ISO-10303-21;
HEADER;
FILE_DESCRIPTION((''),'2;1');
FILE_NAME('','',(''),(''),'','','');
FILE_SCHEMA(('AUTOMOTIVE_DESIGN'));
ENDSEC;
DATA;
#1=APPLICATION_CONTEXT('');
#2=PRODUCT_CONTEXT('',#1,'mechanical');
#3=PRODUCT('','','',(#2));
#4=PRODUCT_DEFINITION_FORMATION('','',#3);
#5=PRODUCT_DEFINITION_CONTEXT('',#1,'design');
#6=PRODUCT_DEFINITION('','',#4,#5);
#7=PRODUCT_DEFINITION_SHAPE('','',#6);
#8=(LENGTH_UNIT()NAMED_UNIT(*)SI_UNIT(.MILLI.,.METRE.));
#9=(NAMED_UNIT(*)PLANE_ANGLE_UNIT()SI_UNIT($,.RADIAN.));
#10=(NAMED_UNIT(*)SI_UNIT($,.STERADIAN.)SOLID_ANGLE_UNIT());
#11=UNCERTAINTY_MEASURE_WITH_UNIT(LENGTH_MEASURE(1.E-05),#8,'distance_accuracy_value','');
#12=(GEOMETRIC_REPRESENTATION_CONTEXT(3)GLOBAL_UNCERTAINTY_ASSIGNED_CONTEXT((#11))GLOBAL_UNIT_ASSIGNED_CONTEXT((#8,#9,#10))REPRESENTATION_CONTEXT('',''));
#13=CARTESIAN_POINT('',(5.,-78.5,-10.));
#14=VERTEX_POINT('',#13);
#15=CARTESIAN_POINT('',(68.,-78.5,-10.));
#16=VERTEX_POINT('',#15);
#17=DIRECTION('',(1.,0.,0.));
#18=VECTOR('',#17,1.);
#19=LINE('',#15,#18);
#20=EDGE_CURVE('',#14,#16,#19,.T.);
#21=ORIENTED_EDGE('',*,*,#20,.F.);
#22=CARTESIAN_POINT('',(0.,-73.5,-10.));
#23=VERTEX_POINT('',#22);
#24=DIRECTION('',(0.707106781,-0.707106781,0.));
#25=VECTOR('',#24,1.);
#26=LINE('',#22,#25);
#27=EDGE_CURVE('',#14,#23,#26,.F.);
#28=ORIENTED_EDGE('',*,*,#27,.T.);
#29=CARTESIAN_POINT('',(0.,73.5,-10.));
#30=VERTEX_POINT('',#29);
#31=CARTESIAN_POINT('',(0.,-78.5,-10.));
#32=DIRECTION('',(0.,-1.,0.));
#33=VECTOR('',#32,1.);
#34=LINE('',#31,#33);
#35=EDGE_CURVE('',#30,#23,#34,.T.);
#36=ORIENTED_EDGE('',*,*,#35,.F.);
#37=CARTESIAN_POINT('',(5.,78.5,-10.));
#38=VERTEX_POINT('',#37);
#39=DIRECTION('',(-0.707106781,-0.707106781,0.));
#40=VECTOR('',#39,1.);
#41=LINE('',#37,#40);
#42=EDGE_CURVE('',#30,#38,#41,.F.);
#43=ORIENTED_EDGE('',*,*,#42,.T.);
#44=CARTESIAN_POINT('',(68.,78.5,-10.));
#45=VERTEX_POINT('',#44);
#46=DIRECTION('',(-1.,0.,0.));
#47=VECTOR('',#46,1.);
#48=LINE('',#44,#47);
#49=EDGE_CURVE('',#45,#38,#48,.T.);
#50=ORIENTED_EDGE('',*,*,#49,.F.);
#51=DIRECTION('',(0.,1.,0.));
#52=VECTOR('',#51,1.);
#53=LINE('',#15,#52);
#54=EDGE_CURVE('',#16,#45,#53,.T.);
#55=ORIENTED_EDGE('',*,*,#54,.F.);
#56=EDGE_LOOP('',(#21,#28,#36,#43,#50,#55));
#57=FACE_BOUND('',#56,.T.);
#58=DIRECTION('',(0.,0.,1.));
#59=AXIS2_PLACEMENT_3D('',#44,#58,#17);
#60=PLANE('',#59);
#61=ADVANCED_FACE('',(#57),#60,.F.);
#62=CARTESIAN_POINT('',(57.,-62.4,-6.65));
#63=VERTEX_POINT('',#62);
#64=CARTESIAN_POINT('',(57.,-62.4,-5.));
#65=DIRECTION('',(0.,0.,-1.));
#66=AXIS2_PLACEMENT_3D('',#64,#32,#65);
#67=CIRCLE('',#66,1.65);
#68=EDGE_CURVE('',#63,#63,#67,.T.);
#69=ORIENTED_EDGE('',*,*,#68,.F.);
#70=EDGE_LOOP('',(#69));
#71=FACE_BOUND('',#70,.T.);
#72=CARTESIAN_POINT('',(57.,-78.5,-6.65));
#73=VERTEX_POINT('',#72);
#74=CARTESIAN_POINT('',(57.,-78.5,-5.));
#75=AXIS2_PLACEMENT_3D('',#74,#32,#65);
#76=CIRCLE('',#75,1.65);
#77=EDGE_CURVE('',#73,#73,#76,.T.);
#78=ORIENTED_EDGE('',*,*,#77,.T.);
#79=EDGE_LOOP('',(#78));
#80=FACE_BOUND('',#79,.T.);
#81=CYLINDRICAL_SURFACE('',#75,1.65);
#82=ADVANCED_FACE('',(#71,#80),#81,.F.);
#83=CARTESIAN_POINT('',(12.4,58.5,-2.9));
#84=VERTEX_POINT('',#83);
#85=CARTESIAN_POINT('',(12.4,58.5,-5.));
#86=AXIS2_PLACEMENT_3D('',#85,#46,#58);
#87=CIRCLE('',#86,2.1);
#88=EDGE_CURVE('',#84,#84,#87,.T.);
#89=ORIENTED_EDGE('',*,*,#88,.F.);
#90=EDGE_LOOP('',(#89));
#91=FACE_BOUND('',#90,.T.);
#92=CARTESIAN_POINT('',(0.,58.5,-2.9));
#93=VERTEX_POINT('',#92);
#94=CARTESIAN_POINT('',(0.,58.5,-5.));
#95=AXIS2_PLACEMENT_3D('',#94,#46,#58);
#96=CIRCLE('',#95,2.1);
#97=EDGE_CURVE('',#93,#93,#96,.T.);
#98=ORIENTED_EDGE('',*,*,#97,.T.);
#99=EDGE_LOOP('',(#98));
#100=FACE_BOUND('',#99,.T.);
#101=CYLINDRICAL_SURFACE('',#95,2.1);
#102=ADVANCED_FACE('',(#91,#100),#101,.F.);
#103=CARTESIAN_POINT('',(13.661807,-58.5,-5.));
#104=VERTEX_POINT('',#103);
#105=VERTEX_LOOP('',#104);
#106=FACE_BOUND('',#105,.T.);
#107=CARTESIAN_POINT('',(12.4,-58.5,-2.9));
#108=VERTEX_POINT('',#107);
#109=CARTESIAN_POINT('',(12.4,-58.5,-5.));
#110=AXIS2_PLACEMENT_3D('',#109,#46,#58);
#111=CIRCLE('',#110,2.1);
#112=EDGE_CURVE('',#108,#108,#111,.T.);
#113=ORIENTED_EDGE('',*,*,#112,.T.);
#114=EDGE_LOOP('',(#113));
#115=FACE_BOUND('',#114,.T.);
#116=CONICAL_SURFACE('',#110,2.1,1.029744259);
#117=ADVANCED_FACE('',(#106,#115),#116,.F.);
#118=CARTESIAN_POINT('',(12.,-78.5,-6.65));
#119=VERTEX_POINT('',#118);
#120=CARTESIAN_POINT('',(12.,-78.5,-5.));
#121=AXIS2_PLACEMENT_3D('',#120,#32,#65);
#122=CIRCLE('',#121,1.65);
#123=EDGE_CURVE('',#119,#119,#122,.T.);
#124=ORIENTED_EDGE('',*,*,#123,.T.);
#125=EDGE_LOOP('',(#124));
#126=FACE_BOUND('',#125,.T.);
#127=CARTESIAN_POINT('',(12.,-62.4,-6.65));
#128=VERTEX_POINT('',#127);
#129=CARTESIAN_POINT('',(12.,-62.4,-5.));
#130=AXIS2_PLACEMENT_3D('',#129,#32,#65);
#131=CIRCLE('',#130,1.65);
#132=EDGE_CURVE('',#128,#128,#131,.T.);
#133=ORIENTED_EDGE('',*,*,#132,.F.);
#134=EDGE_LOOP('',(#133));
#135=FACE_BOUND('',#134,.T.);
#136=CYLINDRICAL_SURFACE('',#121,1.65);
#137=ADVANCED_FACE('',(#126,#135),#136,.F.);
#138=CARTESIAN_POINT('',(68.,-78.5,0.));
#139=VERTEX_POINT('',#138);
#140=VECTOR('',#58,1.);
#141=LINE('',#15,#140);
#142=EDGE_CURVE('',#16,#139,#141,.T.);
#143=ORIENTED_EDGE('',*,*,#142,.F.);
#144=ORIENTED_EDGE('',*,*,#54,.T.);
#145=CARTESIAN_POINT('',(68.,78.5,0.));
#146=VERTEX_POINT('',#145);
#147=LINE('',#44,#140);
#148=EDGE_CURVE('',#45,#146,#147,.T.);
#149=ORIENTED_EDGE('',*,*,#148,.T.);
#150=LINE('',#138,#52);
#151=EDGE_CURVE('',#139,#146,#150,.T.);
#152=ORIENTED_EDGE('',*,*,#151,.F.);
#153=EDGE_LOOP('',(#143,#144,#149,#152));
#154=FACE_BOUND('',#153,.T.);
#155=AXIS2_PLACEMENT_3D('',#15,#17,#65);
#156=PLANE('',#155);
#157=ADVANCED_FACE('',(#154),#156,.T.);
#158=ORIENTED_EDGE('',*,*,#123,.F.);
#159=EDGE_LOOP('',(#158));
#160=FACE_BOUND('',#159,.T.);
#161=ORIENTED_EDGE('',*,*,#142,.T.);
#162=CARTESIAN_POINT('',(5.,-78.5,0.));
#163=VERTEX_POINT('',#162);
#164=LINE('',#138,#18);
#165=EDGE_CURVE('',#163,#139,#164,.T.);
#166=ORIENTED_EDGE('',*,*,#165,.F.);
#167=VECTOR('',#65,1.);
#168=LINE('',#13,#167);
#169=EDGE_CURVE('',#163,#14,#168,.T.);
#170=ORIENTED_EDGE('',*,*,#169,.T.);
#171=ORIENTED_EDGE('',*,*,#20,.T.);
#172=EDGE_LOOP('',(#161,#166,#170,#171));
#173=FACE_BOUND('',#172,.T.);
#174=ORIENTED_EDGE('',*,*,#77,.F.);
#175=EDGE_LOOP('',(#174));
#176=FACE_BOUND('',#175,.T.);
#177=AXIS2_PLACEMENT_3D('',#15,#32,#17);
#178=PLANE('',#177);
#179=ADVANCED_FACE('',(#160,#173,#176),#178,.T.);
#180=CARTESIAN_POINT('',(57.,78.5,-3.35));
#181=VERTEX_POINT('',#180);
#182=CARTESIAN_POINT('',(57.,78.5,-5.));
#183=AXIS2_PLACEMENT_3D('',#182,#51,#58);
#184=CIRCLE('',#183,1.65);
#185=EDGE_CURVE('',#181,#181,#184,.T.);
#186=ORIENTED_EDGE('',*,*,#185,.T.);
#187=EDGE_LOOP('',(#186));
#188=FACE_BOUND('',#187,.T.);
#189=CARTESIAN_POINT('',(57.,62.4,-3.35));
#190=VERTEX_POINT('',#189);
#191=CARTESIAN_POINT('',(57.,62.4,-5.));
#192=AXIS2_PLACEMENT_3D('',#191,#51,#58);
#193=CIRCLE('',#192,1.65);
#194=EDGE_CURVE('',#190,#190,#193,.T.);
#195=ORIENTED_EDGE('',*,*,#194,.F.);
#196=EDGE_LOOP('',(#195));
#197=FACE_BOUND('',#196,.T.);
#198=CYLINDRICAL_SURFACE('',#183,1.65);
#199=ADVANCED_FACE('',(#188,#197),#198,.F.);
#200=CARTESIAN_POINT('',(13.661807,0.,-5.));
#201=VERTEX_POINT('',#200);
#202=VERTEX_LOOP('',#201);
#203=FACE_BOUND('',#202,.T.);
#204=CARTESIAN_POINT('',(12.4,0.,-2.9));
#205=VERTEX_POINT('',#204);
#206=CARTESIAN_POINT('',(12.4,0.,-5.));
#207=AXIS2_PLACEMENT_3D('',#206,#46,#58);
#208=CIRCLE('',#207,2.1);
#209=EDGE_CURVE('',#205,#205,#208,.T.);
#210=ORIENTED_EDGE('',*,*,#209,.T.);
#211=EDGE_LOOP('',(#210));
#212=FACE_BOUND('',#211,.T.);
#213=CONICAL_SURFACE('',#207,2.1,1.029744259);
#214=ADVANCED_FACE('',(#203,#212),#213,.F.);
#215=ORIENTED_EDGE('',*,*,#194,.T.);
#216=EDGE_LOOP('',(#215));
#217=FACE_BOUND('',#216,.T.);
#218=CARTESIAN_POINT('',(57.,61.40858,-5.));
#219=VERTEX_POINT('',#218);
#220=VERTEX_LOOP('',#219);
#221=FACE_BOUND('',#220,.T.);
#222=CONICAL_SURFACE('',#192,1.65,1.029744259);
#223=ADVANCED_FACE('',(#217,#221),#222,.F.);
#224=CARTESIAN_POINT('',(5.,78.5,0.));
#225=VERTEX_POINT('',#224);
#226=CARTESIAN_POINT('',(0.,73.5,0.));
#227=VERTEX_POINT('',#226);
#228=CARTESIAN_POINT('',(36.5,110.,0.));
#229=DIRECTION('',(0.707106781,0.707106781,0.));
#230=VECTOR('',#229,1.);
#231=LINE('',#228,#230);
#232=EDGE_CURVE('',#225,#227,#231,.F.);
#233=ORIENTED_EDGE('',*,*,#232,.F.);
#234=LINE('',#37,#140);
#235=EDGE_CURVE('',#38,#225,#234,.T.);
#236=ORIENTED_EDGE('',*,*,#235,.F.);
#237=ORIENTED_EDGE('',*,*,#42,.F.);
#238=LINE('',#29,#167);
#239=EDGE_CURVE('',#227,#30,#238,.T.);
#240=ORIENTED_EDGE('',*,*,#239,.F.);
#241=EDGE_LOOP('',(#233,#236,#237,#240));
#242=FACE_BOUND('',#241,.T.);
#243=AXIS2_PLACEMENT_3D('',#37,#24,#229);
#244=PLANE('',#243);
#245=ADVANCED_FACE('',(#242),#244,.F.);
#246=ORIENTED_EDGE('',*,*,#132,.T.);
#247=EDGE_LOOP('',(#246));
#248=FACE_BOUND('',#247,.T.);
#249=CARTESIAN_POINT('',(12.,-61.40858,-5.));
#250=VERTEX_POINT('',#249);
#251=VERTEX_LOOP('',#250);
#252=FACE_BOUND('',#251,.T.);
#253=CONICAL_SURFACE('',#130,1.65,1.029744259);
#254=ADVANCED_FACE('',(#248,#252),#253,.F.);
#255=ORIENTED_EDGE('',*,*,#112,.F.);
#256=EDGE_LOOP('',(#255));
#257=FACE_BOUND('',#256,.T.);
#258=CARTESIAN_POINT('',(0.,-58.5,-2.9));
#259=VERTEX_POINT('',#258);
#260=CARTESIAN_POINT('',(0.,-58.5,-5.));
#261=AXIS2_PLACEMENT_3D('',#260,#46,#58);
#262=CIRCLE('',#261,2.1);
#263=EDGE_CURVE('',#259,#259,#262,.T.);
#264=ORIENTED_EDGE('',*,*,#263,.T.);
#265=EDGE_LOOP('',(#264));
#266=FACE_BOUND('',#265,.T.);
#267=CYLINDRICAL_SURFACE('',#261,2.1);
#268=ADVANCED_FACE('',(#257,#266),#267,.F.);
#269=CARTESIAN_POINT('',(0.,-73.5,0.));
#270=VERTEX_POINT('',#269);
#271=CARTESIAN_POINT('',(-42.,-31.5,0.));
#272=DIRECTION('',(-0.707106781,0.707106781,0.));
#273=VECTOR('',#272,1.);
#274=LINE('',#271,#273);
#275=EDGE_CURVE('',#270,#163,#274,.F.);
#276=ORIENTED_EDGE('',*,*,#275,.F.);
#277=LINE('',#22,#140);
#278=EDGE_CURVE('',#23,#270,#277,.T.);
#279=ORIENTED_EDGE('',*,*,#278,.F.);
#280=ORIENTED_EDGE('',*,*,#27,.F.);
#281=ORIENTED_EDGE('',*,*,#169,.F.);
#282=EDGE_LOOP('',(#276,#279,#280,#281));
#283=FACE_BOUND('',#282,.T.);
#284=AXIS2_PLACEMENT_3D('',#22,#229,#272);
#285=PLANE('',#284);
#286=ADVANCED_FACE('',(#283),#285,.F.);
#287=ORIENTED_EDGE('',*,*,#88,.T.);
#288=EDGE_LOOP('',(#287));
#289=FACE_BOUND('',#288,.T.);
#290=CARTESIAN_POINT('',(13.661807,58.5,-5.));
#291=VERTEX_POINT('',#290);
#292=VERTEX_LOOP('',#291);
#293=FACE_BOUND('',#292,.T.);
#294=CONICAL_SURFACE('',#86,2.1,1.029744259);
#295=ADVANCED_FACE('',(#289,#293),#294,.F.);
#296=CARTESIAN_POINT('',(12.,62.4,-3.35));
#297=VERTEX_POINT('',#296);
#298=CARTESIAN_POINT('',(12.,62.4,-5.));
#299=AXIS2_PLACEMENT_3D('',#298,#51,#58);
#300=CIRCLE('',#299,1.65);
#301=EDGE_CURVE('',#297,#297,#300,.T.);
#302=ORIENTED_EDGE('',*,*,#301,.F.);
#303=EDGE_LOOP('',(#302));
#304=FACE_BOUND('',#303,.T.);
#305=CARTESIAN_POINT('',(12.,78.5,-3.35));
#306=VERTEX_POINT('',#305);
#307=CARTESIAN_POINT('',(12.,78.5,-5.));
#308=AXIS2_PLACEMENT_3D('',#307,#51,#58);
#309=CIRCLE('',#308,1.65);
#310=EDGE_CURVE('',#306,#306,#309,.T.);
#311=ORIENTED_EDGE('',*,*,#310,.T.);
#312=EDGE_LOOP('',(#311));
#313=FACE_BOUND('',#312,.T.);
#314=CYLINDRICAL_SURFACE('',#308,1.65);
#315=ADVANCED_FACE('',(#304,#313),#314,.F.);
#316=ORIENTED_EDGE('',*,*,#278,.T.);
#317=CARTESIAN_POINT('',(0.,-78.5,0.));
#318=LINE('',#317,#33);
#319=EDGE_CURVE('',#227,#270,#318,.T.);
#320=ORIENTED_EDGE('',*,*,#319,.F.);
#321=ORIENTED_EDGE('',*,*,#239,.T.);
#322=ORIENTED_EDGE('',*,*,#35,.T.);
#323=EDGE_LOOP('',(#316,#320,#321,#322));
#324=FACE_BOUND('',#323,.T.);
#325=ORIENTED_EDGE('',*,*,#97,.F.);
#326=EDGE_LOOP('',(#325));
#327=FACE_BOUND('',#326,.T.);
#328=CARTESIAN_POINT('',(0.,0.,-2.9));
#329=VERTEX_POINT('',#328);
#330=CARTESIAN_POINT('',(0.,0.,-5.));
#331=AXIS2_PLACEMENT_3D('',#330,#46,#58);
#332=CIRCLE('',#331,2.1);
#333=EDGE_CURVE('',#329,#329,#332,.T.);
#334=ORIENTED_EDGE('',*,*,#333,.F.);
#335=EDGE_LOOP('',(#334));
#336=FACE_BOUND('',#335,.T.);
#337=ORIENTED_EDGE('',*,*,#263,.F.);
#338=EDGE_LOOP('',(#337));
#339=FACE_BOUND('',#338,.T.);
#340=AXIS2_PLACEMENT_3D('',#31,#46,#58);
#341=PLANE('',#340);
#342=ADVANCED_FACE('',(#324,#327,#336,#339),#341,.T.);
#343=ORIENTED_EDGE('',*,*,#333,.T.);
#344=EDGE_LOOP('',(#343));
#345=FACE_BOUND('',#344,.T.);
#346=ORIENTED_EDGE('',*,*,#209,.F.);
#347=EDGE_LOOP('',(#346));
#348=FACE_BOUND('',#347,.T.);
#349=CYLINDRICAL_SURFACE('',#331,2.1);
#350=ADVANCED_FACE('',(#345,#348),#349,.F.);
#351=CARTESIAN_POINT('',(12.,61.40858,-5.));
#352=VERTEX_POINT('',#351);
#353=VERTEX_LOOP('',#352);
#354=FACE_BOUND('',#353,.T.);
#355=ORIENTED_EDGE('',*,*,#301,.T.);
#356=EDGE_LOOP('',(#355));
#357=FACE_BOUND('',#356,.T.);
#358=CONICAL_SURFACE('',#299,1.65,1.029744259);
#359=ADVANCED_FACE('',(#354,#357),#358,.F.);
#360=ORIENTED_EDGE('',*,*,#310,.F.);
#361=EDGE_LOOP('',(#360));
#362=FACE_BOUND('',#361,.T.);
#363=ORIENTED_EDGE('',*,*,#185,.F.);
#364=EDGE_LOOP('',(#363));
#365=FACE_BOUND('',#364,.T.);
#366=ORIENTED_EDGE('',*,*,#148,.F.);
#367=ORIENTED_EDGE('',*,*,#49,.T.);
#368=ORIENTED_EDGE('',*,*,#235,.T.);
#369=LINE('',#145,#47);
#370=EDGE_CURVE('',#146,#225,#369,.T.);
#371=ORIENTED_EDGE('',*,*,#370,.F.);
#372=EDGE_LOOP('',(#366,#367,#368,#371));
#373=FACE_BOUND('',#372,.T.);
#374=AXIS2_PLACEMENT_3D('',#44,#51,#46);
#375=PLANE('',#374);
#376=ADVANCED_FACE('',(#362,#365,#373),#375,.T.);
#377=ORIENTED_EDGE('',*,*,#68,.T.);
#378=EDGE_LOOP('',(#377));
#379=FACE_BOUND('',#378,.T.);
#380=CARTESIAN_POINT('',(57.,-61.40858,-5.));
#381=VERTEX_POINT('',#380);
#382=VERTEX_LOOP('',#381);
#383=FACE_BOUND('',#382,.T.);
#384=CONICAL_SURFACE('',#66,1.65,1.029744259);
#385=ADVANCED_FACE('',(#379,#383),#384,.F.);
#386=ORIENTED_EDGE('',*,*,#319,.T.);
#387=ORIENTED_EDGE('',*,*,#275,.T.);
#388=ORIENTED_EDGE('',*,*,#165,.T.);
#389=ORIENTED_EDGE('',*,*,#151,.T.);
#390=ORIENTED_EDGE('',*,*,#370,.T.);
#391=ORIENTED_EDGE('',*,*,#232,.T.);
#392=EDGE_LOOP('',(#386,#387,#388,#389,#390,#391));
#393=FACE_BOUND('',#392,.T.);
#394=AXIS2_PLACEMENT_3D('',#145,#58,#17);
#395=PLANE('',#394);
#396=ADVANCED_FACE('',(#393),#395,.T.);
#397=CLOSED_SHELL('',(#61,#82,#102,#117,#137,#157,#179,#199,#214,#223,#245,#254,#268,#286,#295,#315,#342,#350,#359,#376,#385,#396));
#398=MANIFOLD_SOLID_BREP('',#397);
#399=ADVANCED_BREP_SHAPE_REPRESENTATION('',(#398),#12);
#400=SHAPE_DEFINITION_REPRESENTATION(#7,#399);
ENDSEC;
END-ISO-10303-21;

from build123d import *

# Parameters (mm, degrees)
SKETCH1_W                      = 68
SKETCH1_H                      = 157
BOSS_EXTRUDE1_DEPTH            = 10
M5X0_8_TAPPED_HOLE1_D          = 4.2
M5X0_8_TAPPED_HOLE1_DEPTH      = 12.4
M5X0_8_TAPPED_HOLE1_TIP        = 1.2618073
M4X0_7_TAPPED_HOLE1_AT_2_COUNT = 2
M4X0_7_TAPPED_HOLE1_AT_2_PITCH = 45
CHAMFER1_SIZE                  = 5


with BuildPart() as part:
    # Sketch1 → Boss-Extrude1 (new body)
    with BuildSketch(Plane.XY):
        with Locations((34, 0)):
            Rectangle(SKETCH1_W, SKETCH1_H)
    extrude(amount=-BOSS_EXTRUDE1_DEPTH)

    # M5x0.8 Tapped Hole1
    with Locations(Plane.ZY):
        with Locations((-5, 58.5), (-5, 0), (-5, -58.5)):
            Hole(M5X0_8_TAPPED_HOLE1_D / 2, depth=M5X0_8_TAPPED_HOLE1_DEPTH)
            with Locations((0, 0, -(M5X0_8_TAPPED_HOLE1_DEPTH + M5X0_8_TAPPED_HOLE1_TIP / 2))):  # 118° drill point
                Cone(0, M5X0_8_TAPPED_HOLE1_D / 2, M5X0_8_TAPPED_HOLE1_TIP, mode=Mode.SUBTRACT)

    # Sketch4 → M4x0.7 Tapped Hole1 (revolve, cut)
    with BuildSketch(Plane(origin=(12, 78.5, -5), x_dir=(0, 0, 1), z_dir=(1, 0, 0))):
        Polygon((0, 0), (0, 17.091420021), (1.65, 16.1), (1.65, 0), align=None)
    m4x0_7_tapped_hole1 = revolve(axis=Axis((12, 84.85, -5), (0, -1, 0)), mode=Mode.SUBTRACT)

    # M4x0.7 Tapped Hole1 at 2: M4x0.7 Tapped Hole1 ×2
    with Locations(*[(i * M4X0_7_TAPPED_HOLE1_AT_2_PITCH, 0, 0) for i in range(1, M4X0_7_TAPPED_HOLE1_AT_2_COUNT)]):
        add(m4x0_7_tapped_hole1, mode=Mode.SUBTRACT)

    # Mirror1: M4x0.7 Tapped Hole1 across plane
    add(m4x0_7_tapped_hole1.mirror(Plane.ZX), mode=Mode.SUBTRACT)

    # Mirror1 copy 1 sketch → Mirror1 copy 1 (revolve, cut)
    with BuildSketch(Plane(origin=(57, -78.5, -5), x_dir=(0, 0, 1), z_dir=(1, 0, 0))):
        Polygon((0, 0), (0, -17.091420021), (1.65, -16.1), (1.65, 0), align=None)
    revolve(axis=Axis((57, -84.85, -5), (0, -1, 0)), mode=Mode.SUBTRACT)

    # Chamfer1
    chamfer1_edges = [part.edges().sort_by_distance(p)[0] for p in [
        (0, -78.5, -5),
        (0, 78.5, -5),
    ]]
    chamfer(chamfer1_edges, length=CHAMFER1_SIZE)


solid = part.part
